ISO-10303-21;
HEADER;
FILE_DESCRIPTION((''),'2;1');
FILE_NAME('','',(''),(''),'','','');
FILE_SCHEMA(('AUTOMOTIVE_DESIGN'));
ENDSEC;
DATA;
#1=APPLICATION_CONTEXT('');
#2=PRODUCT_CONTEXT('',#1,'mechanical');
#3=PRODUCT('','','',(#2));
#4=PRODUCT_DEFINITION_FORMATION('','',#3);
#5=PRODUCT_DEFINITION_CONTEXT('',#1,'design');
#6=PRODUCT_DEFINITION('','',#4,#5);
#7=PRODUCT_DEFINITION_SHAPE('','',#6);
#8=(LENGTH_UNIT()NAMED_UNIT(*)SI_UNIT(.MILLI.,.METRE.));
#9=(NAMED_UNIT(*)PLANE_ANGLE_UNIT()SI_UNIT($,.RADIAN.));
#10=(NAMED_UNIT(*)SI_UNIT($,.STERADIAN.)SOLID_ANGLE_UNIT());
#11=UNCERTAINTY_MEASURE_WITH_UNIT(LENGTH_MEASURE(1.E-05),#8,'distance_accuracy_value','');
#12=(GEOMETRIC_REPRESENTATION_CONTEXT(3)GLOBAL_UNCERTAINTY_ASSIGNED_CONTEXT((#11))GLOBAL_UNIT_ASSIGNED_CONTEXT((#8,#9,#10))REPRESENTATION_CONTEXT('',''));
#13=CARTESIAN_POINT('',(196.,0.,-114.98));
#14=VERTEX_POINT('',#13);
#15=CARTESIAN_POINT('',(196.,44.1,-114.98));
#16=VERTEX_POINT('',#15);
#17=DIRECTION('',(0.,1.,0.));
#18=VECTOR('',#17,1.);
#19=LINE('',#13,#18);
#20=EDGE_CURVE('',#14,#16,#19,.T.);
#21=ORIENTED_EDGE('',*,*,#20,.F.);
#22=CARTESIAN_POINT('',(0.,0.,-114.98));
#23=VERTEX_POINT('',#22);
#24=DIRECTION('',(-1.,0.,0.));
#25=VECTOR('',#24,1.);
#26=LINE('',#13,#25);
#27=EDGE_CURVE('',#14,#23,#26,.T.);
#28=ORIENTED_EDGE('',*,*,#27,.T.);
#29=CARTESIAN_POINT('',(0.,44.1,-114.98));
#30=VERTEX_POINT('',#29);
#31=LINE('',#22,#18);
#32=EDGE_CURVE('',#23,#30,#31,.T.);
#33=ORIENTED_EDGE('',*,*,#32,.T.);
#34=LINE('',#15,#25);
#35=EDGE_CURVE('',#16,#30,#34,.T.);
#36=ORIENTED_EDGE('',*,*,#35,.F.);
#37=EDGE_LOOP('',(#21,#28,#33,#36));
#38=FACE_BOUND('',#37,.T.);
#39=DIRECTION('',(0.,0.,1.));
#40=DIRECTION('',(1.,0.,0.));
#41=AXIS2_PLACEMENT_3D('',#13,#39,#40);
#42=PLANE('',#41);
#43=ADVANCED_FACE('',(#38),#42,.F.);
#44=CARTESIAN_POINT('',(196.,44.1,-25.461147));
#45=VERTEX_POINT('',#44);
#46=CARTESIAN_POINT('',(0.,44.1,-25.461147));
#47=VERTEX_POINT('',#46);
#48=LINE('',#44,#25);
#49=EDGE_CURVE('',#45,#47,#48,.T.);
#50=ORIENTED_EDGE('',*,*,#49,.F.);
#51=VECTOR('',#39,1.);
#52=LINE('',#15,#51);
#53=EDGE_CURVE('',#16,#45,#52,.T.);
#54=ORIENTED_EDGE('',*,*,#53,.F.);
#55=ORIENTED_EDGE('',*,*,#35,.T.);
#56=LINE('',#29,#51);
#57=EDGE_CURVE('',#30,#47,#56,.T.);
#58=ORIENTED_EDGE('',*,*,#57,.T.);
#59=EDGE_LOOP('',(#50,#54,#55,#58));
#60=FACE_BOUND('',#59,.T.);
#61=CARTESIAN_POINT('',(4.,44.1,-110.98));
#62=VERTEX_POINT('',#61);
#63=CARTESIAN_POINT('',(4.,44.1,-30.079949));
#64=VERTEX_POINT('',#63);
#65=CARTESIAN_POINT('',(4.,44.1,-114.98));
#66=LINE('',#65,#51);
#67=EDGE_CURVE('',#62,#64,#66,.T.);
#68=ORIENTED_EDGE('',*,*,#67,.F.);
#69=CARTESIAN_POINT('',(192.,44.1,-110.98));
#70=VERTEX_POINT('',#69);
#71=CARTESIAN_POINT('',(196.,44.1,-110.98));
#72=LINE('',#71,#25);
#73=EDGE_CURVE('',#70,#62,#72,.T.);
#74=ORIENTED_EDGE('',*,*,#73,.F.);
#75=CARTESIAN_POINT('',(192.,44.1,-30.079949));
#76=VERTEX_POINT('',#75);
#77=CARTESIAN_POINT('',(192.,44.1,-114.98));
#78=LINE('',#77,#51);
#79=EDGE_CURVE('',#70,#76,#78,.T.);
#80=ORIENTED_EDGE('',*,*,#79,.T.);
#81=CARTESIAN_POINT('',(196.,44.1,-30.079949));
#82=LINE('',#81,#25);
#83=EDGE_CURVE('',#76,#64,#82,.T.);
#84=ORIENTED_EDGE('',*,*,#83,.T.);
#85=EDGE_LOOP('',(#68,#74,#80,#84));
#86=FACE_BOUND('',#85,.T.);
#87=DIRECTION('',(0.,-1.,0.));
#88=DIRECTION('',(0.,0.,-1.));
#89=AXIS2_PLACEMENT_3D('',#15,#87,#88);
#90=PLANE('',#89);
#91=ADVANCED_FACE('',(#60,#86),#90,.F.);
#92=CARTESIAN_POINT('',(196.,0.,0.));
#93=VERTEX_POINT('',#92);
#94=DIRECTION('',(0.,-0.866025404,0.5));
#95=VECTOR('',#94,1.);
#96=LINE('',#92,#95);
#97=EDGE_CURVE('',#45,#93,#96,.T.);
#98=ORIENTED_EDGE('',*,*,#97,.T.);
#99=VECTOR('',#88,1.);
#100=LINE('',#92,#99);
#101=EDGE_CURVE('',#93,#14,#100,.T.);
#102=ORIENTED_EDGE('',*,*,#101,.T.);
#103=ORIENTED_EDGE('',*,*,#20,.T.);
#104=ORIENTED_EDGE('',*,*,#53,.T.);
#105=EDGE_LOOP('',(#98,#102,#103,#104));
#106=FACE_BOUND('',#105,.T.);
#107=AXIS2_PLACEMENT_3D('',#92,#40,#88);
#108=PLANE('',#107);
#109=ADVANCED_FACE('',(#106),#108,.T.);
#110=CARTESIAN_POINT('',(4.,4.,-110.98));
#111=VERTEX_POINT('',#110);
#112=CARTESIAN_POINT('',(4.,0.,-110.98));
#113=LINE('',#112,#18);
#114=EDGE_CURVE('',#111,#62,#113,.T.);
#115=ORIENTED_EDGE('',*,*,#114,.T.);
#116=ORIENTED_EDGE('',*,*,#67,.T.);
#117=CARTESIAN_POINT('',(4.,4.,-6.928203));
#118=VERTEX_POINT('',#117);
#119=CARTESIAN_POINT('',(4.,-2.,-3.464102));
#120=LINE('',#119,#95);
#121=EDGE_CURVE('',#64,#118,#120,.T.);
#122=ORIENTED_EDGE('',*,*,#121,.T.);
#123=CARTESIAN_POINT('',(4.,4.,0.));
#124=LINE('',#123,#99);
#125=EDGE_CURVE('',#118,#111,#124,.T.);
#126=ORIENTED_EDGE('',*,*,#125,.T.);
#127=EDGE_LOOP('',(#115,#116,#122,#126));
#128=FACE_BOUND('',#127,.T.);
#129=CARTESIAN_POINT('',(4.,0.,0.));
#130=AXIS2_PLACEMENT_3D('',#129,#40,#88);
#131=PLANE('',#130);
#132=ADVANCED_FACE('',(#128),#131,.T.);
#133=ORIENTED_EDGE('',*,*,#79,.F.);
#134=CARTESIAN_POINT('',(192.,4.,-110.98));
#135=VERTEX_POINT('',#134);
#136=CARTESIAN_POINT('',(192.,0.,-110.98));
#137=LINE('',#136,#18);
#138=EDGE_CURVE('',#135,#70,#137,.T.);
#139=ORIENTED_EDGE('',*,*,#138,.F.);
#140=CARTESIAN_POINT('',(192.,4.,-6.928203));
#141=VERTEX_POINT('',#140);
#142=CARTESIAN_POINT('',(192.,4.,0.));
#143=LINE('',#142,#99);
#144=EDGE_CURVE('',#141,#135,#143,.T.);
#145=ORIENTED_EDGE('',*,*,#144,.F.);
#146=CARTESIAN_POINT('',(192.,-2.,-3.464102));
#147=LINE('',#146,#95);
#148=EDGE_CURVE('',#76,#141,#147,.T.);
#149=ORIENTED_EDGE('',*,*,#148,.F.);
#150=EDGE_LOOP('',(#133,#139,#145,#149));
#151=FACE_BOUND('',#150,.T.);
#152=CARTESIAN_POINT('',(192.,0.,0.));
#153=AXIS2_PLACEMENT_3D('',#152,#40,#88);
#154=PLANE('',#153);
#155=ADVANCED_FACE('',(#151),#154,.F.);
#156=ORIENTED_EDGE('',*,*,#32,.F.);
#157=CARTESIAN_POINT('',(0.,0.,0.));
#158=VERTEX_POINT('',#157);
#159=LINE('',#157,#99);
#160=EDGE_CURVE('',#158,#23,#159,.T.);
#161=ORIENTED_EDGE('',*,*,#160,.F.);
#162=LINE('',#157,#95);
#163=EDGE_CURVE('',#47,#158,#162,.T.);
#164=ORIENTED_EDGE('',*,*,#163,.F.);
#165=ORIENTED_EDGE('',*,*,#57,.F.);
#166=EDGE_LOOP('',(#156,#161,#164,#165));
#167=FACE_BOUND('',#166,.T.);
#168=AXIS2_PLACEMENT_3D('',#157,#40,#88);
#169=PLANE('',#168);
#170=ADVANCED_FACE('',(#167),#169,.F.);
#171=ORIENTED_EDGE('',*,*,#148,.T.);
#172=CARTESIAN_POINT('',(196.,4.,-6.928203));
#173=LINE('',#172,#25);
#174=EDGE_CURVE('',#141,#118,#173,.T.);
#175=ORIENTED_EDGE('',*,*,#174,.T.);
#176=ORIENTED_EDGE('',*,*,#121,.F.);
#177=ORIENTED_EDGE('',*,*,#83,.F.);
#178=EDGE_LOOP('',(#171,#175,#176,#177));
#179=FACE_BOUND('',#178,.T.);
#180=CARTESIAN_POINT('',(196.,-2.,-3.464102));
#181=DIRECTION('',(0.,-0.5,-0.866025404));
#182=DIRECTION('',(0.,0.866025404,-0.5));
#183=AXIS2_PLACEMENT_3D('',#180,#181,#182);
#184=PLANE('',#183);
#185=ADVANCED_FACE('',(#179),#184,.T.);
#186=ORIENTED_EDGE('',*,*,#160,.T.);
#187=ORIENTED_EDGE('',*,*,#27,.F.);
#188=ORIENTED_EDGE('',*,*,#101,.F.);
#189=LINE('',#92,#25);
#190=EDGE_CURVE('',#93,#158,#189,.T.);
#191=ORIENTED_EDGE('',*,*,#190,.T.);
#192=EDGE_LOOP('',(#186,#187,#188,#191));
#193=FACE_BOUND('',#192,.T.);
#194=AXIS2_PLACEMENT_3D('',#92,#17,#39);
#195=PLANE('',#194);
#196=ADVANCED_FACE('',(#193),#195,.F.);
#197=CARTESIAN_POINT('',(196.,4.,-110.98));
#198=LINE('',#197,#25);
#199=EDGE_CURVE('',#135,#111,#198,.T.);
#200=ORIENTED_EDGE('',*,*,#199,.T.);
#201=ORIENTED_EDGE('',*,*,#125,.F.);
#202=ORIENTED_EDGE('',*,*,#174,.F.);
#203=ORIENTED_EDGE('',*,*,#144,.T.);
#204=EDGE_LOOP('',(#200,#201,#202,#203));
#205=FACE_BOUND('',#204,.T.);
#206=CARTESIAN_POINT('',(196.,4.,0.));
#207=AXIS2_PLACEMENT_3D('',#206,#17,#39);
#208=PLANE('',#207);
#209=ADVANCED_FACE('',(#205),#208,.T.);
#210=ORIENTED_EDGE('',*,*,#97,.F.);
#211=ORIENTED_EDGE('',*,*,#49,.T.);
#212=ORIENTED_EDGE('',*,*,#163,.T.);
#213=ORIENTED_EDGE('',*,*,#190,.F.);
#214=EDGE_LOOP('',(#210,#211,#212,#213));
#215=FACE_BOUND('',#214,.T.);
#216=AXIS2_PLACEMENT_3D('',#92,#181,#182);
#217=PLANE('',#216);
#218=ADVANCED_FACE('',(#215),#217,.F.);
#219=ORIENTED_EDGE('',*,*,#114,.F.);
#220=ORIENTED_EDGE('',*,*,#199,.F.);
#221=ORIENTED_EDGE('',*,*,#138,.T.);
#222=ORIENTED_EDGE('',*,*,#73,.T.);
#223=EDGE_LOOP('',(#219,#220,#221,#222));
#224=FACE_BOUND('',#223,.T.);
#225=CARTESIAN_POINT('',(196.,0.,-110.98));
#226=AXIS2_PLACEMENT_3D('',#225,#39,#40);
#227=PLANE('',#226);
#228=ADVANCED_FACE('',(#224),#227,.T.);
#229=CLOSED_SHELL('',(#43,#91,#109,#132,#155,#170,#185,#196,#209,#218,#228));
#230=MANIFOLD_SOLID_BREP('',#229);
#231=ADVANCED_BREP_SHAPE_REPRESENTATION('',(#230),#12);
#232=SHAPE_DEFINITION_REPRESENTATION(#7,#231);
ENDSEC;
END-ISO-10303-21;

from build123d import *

# Parameters (mm, degrees)
SALIENTE_EXTRUIR1_DEPTH = 196
VACIADO1_T              = -4


with BuildPart() as part:
    # Croquis1 → Saliente-Extruir1 (new body)
    with BuildSketch(Plane(origin=(0, 0, 0), x_dir=(0, 0, -1), z_dir=(1, 0, 0))):
        Polygon((0, 0), (114.98, 0), (114.98, 44.1), (25.461146871, 44.1), align=None)
    extrude(amount=SALIENTE_EXTRUIR1_DEPTH)

    # Vaciado1
    vaciado1_openings = [part.faces().sort_by_distance(p)[0] for p in [
        (98, 44.1, -70.220573436),
    ]]
    offset(amount=VACIADO1_T, openings=vaciado1_openings, kind=Kind.INTERSECTION)


solid = part.part
